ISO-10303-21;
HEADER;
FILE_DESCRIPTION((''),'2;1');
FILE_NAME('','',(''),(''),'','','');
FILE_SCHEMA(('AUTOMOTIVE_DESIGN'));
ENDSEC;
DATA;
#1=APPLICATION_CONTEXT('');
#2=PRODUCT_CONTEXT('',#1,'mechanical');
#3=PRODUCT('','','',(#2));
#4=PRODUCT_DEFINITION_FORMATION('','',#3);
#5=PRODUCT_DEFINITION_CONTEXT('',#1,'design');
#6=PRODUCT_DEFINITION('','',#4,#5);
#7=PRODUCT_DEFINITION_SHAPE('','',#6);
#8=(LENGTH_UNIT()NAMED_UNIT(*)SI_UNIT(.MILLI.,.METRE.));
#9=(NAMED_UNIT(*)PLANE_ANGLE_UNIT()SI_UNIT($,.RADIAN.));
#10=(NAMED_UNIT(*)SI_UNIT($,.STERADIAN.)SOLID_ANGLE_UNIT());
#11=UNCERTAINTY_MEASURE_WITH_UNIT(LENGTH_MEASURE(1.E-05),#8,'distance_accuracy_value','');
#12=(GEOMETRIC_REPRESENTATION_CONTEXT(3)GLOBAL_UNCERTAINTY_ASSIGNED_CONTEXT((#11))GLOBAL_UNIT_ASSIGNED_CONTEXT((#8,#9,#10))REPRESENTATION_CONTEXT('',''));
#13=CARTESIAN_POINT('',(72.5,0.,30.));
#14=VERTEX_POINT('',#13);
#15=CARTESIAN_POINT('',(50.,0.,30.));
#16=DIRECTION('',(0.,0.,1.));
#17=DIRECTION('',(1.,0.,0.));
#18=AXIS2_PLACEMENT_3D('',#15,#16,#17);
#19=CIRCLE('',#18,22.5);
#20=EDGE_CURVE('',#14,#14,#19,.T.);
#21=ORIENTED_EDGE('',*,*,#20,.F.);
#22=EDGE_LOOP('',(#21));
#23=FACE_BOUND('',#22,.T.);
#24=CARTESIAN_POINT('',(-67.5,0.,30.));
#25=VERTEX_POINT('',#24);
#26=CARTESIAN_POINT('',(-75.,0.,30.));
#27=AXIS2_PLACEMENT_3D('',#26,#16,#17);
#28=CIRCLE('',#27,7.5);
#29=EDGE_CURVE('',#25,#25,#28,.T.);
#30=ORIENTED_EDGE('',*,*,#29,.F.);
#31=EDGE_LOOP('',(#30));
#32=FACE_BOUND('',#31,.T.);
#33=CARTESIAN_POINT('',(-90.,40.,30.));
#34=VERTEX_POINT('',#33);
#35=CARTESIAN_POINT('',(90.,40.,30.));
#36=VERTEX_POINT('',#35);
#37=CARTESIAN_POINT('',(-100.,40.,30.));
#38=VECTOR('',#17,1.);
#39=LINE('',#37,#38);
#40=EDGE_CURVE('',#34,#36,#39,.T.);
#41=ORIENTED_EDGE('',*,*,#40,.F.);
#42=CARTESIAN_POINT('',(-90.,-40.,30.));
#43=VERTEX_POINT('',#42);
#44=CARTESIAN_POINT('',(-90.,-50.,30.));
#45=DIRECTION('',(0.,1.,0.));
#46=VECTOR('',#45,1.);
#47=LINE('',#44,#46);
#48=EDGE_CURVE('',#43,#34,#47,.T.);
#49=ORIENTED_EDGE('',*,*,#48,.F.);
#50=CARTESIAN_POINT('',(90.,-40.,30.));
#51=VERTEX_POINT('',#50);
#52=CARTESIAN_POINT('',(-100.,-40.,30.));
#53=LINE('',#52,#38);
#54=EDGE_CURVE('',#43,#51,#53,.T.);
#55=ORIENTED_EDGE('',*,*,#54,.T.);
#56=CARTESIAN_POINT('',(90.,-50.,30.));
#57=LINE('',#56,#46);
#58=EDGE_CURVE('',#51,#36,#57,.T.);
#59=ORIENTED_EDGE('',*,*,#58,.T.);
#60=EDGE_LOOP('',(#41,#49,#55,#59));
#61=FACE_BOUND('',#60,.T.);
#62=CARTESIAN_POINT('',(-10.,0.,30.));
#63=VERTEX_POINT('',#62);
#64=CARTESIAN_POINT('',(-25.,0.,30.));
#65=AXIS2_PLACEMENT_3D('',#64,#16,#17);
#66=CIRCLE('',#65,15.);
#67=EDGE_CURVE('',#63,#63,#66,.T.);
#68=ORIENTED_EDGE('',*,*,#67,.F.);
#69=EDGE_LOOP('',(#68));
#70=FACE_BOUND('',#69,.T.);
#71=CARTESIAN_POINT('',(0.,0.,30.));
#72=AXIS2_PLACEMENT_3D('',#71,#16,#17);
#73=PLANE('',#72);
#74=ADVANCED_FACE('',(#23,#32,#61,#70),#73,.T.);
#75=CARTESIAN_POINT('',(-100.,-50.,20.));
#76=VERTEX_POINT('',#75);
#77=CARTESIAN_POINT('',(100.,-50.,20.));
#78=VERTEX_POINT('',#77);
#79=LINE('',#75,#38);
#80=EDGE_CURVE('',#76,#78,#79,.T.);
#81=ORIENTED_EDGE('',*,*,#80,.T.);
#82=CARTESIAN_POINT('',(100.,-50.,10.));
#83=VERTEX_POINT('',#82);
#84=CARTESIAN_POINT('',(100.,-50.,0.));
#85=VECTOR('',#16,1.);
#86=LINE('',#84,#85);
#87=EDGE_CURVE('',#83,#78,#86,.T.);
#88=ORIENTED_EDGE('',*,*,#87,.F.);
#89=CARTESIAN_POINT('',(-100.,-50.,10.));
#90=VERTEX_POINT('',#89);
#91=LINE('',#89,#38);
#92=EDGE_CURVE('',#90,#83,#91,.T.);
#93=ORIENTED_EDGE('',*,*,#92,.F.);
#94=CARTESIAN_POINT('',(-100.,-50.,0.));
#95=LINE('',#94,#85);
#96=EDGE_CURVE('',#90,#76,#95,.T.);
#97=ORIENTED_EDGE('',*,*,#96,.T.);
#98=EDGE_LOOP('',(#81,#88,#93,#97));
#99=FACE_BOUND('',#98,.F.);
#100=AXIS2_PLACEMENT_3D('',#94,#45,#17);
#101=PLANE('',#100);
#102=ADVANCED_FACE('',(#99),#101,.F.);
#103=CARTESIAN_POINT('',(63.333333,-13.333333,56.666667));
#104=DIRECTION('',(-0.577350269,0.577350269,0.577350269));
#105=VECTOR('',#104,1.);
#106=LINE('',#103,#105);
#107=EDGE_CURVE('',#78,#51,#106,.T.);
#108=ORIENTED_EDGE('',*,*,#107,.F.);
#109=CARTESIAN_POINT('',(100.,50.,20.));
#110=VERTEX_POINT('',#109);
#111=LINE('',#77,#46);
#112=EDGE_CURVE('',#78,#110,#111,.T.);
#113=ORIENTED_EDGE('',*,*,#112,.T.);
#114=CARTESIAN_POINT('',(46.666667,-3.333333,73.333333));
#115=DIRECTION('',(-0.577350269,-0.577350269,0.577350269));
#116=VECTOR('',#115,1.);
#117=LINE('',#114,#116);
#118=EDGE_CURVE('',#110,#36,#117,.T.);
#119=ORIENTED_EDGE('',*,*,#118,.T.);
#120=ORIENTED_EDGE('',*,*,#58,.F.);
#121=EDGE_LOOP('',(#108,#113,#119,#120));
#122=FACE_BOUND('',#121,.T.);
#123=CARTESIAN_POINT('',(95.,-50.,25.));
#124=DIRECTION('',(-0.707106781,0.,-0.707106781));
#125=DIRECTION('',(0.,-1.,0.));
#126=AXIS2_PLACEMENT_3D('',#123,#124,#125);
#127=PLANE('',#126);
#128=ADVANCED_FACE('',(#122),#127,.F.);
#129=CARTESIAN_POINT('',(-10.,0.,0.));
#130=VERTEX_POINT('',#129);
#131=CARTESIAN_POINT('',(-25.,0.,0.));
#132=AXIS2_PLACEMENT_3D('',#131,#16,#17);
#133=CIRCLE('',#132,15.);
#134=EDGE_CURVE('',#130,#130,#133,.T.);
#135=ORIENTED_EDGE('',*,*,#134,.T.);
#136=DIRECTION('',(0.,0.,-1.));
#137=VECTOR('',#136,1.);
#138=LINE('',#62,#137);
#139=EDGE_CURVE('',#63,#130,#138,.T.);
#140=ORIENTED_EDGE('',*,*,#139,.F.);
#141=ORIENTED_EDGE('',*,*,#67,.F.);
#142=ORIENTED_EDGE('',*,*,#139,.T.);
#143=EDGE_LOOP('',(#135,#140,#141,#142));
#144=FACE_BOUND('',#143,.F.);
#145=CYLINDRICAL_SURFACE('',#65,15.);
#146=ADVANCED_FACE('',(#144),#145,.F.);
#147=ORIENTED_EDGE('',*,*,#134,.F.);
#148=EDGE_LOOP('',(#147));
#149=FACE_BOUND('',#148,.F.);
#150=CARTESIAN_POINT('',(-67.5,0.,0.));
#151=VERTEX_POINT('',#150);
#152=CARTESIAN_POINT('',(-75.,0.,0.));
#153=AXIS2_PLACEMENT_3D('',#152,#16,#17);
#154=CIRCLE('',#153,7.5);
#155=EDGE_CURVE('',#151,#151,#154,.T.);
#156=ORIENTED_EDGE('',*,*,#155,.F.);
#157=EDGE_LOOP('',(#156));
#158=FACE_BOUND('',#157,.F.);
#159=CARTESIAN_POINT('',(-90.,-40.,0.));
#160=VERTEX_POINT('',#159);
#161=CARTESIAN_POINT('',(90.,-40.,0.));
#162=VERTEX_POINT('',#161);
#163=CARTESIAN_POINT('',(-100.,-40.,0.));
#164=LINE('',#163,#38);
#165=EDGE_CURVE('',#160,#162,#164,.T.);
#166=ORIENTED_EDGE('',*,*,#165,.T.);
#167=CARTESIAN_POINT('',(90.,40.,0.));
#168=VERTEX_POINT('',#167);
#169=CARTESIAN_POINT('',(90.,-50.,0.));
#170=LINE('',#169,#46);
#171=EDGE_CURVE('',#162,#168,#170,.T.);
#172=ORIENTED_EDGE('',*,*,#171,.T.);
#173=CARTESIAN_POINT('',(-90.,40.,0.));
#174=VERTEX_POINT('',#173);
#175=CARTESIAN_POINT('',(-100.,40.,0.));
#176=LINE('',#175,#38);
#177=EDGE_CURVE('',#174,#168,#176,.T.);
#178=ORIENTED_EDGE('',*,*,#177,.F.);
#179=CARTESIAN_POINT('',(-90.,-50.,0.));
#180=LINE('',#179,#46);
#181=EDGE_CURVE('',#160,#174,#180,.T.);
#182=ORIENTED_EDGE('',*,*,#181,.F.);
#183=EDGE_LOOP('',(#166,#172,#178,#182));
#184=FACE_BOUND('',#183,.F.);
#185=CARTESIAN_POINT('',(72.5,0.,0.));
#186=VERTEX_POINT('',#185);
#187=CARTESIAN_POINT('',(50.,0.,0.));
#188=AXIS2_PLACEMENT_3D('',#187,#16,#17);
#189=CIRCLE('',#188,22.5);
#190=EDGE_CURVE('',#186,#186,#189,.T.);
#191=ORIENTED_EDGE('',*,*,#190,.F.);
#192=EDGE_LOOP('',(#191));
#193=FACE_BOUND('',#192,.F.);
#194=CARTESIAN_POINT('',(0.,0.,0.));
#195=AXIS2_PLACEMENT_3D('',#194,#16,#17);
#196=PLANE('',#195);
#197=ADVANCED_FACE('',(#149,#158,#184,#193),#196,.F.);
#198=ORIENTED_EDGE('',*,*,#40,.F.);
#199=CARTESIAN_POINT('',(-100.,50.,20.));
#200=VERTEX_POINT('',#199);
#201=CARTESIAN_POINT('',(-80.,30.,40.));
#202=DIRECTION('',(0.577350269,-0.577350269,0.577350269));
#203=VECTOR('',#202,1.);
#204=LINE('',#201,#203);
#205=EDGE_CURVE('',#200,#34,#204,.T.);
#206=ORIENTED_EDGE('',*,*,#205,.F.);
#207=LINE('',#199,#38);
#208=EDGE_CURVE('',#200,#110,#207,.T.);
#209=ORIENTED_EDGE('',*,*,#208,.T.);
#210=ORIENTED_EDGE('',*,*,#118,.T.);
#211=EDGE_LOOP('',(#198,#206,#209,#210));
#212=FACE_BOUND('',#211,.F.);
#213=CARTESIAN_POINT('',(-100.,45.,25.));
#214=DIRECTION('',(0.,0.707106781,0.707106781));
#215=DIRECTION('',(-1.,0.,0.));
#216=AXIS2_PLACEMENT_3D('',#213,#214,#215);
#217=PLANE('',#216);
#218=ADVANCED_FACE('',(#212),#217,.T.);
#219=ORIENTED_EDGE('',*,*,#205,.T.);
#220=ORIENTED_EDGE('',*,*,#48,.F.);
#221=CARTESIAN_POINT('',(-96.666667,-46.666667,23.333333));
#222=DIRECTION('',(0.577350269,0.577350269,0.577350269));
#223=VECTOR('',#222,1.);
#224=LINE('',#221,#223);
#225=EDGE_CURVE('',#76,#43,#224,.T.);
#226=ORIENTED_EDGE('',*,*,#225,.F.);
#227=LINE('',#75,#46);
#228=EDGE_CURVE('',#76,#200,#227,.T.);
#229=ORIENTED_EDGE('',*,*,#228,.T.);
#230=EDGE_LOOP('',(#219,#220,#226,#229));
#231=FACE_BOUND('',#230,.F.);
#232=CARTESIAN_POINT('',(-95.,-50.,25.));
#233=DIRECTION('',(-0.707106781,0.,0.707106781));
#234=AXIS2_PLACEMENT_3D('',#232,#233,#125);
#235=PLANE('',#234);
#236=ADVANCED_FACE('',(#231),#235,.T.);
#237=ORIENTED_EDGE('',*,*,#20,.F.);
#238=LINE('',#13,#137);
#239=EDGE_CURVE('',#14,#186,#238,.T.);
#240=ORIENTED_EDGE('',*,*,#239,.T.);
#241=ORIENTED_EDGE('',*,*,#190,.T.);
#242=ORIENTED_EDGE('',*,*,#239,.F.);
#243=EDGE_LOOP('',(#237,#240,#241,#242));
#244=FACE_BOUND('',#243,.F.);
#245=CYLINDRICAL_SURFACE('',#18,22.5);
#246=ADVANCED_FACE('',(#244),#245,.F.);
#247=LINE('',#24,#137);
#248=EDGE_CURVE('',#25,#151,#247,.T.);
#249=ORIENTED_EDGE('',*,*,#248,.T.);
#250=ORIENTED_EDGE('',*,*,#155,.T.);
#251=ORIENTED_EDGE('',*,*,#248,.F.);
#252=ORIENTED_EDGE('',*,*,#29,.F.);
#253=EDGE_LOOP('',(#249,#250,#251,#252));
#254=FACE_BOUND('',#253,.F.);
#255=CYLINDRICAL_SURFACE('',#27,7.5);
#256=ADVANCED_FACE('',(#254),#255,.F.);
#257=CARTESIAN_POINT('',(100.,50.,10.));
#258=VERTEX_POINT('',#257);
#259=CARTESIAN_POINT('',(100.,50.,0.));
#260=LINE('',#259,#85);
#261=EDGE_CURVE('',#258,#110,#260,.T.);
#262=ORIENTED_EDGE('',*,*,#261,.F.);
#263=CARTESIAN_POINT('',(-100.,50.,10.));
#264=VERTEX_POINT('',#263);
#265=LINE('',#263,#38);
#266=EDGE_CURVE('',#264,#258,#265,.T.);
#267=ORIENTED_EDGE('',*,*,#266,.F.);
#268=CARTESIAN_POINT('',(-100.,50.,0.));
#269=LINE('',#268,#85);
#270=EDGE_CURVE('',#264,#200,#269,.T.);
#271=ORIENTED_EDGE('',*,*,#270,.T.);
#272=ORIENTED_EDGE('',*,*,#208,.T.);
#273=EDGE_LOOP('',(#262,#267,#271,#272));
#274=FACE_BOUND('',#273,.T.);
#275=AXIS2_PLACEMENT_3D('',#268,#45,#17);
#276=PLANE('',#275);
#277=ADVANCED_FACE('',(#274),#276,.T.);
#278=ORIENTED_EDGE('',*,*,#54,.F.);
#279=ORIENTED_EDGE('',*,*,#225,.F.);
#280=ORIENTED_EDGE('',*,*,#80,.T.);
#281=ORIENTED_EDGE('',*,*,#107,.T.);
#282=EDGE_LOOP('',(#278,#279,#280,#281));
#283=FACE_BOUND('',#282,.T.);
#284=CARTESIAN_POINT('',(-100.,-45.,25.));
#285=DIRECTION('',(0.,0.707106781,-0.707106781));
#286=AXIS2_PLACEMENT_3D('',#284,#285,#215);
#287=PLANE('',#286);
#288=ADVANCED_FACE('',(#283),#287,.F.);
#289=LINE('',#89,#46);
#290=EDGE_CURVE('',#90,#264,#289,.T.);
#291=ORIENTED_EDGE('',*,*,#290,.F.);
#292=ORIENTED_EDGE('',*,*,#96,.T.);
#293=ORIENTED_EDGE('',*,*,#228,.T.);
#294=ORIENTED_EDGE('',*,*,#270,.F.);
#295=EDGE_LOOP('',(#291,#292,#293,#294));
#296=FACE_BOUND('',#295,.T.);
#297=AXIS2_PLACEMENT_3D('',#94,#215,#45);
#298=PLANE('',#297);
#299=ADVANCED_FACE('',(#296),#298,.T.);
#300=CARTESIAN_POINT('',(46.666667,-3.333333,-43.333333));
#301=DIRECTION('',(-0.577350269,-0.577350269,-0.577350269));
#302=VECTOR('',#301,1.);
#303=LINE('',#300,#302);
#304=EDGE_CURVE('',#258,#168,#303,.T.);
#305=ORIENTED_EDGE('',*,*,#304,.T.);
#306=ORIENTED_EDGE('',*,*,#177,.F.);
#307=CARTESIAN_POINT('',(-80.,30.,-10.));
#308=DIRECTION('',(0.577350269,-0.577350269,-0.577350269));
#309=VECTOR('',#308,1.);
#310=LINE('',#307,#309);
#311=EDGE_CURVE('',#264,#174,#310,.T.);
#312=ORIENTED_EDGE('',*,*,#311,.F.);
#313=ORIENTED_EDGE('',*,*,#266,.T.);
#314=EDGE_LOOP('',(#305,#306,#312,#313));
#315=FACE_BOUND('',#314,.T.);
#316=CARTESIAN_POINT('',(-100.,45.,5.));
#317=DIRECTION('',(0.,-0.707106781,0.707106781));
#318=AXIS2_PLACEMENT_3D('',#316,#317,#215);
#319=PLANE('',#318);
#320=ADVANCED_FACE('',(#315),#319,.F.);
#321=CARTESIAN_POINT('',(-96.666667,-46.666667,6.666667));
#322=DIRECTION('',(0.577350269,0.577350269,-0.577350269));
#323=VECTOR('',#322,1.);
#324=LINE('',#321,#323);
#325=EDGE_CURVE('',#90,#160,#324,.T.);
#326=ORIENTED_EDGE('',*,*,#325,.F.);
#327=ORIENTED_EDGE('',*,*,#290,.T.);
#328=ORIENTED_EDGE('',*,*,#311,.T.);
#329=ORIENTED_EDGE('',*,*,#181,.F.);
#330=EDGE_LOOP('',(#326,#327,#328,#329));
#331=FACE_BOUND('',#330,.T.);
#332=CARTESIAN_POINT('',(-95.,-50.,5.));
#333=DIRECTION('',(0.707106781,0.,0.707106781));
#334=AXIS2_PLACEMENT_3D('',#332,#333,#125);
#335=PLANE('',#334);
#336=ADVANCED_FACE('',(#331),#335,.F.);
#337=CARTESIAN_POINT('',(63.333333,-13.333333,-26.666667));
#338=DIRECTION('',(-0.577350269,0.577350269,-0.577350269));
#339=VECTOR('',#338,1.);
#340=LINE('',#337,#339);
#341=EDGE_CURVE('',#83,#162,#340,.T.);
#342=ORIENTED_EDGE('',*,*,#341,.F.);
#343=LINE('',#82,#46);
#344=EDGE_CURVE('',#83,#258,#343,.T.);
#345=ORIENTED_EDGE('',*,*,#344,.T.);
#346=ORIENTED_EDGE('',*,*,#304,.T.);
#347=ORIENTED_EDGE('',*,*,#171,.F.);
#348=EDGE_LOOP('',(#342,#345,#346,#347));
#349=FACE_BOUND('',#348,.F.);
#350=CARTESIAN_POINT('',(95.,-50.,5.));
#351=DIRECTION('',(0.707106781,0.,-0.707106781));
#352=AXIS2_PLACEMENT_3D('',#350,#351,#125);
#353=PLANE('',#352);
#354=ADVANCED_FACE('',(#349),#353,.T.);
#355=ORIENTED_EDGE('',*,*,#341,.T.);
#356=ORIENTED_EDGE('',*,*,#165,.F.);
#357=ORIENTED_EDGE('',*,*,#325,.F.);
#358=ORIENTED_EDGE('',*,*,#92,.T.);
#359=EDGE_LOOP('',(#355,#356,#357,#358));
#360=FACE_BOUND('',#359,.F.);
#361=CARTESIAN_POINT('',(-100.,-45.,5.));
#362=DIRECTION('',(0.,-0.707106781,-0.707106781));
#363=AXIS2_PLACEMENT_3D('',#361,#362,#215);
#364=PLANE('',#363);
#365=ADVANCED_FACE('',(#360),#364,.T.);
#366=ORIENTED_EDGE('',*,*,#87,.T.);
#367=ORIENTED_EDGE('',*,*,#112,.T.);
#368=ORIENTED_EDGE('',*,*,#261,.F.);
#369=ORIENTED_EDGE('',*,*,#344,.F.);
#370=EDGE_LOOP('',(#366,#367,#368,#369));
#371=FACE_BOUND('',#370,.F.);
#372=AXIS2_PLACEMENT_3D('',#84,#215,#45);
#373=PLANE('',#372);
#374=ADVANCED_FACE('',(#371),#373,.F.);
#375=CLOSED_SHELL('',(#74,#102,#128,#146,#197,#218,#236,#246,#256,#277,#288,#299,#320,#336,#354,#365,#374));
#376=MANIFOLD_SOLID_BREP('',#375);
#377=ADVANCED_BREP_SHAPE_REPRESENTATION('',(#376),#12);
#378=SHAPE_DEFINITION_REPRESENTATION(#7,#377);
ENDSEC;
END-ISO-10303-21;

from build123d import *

# Parameters (mm, degrees)
F0_W     = 200
F0_H     = 100
F1_DEPTH = 30
F3_SIZE2 = 10
F3_SIZE  = 10
F2_R     = 7.5
F2_R_2   = 15
F2_R_3   = 22.5
F4_DEPTH = 30.001


with BuildPart() as f1:
    # F0 (on Top) → F1 (new body)
    with BuildSketch(Plane.XY):
        Rectangle(F0_W, F0_H)
    extrude(amount=F1_DEPTH)

    # F3
    f3_edges = [f1.edges().sort_by_distance(p)[0] for p in [
        (0, -50, 30),
        (100, 0, 30),
        (0, 50, 30),
        (-100, 0, 30),
        (0, -50, 0),
        (100, 0, 0),
        (-100, 0, 0),
        (0, 50, 0),
    ]]
    chamfer(f3_edges, length=F3_SIZE, length2=F3_SIZE2)

    # F2 (on face) → F4 (cut, through all)
    with BuildSketch(Plane.XY.offset(30)):
        with Locations((-75, 0)):
            Circle(F2_R)
        with Locations((-25, 0)):
            Circle(F2_R_2)
        with Locations((50, 0)):
            Circle(F2_R_3)
    extrude(amount=-F4_DEPTH, mode=Mode.SUBTRACT)


solid = f1.part
